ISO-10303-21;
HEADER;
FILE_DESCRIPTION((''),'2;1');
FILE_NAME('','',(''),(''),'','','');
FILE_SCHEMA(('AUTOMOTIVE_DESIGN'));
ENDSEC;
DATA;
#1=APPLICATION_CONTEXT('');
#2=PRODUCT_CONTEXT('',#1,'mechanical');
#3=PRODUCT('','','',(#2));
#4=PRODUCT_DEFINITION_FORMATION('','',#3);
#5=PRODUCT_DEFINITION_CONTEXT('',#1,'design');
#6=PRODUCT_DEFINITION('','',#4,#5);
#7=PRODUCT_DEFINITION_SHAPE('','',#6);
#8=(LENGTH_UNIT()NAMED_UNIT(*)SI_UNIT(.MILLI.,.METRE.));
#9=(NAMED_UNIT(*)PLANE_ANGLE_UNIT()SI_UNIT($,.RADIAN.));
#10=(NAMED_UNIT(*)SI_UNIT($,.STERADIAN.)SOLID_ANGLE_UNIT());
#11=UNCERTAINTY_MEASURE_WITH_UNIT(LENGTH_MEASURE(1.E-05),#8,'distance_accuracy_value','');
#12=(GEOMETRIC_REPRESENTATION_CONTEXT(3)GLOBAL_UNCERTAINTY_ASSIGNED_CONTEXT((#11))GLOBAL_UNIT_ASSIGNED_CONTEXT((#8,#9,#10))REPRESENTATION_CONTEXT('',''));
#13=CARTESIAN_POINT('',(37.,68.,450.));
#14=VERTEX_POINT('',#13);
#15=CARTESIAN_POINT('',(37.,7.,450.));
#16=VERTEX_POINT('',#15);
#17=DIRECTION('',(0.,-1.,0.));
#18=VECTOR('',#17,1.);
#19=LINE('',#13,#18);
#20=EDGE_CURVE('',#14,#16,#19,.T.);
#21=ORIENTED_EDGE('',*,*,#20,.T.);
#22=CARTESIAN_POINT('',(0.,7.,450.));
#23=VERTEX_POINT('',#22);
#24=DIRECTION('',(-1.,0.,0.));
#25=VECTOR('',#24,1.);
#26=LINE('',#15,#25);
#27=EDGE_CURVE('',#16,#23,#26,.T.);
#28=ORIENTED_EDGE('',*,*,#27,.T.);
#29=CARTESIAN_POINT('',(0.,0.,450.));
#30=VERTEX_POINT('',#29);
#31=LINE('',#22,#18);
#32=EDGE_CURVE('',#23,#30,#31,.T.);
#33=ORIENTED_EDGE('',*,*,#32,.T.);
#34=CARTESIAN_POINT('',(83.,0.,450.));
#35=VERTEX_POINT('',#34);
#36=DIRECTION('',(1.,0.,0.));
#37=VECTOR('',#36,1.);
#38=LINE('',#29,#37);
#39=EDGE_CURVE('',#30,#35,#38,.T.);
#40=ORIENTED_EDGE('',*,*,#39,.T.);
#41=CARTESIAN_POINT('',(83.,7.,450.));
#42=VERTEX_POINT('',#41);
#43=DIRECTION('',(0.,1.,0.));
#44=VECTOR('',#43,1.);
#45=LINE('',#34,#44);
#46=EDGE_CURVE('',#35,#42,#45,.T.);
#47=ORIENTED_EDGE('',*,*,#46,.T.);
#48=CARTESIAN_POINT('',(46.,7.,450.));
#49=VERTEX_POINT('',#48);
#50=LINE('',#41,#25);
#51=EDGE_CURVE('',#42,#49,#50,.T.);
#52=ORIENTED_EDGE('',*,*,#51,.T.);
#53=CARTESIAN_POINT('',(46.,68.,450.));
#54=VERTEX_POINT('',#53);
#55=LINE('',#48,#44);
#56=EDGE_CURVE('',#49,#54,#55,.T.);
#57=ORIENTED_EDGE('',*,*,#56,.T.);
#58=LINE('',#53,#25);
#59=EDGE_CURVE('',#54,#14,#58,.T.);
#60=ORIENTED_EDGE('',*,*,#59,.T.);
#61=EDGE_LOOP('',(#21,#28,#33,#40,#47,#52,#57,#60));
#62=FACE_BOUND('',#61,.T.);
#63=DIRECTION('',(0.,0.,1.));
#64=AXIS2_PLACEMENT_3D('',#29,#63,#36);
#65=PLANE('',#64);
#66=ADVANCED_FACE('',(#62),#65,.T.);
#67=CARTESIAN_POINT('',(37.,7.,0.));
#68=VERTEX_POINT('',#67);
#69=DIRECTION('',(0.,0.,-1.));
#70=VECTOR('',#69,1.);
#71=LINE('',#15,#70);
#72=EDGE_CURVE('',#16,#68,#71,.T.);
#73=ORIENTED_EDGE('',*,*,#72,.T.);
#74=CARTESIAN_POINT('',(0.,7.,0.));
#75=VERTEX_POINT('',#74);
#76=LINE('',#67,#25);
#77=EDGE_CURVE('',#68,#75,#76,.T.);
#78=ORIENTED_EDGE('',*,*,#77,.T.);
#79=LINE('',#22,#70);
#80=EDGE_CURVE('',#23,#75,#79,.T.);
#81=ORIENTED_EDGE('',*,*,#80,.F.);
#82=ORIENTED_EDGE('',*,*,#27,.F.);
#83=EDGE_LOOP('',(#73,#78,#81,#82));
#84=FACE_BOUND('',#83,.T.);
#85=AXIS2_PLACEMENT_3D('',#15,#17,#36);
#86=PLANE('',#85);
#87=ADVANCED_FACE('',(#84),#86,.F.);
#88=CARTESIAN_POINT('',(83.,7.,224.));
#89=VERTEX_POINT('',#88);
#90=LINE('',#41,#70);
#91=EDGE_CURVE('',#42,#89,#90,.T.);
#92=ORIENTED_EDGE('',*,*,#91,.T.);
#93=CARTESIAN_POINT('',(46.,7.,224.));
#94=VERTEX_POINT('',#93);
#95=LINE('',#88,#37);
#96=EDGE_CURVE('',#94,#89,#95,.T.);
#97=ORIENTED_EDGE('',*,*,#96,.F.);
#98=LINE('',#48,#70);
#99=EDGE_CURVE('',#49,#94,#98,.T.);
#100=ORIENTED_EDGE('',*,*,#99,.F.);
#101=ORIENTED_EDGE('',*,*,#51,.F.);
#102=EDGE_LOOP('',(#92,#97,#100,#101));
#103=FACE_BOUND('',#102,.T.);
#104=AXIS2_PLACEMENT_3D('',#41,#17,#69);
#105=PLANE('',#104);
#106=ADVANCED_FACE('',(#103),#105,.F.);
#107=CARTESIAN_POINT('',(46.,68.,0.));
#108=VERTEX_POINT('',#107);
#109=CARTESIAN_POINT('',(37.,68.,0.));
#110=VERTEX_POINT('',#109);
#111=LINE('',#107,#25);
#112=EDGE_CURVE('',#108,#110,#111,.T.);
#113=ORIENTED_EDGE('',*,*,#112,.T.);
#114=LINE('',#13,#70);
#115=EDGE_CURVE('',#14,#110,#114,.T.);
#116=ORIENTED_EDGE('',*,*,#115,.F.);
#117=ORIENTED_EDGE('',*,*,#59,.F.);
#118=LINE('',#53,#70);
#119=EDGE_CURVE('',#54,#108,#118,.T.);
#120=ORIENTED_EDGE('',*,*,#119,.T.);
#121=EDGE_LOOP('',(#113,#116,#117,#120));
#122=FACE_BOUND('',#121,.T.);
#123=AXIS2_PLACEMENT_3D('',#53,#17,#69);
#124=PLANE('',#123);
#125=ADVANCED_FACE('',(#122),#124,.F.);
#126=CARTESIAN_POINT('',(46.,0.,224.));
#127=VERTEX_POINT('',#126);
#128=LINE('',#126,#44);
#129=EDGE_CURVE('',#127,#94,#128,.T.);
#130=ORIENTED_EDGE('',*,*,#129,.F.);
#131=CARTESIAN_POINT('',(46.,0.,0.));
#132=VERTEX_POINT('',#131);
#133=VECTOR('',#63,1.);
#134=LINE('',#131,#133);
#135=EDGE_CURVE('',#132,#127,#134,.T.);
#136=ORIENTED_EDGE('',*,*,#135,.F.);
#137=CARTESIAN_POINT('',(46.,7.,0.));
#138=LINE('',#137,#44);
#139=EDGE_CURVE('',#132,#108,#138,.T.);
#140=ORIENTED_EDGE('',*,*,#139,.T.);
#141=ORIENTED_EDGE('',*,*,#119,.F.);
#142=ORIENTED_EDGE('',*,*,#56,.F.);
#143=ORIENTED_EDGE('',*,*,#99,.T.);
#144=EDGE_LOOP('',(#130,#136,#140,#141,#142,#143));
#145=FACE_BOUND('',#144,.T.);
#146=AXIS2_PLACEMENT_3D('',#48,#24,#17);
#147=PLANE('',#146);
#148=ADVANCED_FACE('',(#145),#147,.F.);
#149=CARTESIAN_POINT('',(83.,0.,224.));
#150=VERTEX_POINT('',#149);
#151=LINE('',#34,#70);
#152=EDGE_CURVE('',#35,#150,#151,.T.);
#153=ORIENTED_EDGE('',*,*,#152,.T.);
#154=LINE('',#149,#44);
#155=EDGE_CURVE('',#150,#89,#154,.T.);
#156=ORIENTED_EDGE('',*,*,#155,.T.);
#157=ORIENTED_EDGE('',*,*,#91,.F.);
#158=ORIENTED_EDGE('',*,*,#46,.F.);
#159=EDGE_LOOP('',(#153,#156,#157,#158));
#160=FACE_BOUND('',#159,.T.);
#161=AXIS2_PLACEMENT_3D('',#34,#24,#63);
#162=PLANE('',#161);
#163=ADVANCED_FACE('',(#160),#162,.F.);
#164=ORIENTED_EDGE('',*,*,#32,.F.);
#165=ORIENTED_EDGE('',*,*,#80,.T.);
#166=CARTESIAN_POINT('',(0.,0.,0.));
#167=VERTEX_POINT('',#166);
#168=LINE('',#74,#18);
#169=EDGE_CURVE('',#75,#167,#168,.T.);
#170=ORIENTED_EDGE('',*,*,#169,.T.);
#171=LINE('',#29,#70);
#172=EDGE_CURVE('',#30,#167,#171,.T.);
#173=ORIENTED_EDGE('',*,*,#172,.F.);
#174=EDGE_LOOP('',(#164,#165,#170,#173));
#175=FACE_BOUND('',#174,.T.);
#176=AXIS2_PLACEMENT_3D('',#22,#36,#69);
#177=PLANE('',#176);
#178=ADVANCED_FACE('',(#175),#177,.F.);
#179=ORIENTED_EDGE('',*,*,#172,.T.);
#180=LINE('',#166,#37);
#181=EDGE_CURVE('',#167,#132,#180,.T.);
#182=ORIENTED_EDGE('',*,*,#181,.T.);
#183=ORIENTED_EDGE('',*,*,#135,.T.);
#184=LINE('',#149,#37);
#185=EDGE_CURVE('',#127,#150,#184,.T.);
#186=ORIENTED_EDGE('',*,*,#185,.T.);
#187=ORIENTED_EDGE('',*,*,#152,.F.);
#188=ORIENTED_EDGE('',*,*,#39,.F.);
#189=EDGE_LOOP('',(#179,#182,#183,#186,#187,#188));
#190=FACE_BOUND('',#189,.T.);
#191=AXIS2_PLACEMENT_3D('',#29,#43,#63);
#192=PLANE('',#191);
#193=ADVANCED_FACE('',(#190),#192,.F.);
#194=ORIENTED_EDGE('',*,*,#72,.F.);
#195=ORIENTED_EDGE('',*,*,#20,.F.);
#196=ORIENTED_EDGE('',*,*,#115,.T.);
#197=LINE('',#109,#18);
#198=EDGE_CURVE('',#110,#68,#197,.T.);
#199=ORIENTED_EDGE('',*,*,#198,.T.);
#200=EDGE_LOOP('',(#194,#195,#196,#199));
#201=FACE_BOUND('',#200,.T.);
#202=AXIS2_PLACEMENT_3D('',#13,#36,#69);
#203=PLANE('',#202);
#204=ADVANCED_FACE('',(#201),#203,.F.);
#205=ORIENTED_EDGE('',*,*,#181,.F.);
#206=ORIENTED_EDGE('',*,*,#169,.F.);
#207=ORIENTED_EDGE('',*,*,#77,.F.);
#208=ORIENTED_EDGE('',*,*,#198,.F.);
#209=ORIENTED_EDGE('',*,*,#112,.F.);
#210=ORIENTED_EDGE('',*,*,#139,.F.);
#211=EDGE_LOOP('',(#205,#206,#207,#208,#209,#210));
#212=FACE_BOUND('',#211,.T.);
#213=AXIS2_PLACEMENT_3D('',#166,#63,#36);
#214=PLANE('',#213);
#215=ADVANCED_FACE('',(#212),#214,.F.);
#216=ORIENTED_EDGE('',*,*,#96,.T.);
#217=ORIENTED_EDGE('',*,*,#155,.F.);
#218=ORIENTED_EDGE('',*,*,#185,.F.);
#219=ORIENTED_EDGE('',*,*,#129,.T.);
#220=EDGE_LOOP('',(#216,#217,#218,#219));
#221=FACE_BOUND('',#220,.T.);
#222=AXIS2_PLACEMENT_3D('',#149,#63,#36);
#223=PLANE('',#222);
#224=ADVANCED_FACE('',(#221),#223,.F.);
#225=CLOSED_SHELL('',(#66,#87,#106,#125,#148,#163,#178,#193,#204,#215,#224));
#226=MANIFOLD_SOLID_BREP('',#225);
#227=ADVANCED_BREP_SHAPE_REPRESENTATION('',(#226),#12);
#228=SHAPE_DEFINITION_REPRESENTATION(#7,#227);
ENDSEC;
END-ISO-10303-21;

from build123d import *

# Parameters (mm, degrees)
BOSS_EXTRU_1_DEPTH      = 450
ESQUISSE2_W             = 37
ESQUISSE2_H             = 224
ENL_V_MAT_EXTRU_1_DEPTH = 7


with BuildPart() as part:
    # Esquisse1 → Boss.-Extru.1 (new body)
    with BuildSketch(Plane.XY):
        Polygon((0, 0), (83, 0), (83, 7), (46, 7), (46, 68), (37, 68), (37, 7), (0, 7), align=None)
    extrude(amount=BOSS_EXTRU_1_DEPTH)

    # Esquisse2 → Enlèv. mat.-Extru.1 (cut)
    with BuildSketch(Plane(origin=(0, 7, 0), x_dir=(1, 0, 0), z_dir=(0, 1, 0))):
        with Locations((64.5, -112)):
            Rectangle(ESQUISSE2_W, ESQUISSE2_H)
    extrude(amount=-ENL_V_MAT_EXTRU_1_DEPTH, mode=Mode.SUBTRACT)


solid = part.part
